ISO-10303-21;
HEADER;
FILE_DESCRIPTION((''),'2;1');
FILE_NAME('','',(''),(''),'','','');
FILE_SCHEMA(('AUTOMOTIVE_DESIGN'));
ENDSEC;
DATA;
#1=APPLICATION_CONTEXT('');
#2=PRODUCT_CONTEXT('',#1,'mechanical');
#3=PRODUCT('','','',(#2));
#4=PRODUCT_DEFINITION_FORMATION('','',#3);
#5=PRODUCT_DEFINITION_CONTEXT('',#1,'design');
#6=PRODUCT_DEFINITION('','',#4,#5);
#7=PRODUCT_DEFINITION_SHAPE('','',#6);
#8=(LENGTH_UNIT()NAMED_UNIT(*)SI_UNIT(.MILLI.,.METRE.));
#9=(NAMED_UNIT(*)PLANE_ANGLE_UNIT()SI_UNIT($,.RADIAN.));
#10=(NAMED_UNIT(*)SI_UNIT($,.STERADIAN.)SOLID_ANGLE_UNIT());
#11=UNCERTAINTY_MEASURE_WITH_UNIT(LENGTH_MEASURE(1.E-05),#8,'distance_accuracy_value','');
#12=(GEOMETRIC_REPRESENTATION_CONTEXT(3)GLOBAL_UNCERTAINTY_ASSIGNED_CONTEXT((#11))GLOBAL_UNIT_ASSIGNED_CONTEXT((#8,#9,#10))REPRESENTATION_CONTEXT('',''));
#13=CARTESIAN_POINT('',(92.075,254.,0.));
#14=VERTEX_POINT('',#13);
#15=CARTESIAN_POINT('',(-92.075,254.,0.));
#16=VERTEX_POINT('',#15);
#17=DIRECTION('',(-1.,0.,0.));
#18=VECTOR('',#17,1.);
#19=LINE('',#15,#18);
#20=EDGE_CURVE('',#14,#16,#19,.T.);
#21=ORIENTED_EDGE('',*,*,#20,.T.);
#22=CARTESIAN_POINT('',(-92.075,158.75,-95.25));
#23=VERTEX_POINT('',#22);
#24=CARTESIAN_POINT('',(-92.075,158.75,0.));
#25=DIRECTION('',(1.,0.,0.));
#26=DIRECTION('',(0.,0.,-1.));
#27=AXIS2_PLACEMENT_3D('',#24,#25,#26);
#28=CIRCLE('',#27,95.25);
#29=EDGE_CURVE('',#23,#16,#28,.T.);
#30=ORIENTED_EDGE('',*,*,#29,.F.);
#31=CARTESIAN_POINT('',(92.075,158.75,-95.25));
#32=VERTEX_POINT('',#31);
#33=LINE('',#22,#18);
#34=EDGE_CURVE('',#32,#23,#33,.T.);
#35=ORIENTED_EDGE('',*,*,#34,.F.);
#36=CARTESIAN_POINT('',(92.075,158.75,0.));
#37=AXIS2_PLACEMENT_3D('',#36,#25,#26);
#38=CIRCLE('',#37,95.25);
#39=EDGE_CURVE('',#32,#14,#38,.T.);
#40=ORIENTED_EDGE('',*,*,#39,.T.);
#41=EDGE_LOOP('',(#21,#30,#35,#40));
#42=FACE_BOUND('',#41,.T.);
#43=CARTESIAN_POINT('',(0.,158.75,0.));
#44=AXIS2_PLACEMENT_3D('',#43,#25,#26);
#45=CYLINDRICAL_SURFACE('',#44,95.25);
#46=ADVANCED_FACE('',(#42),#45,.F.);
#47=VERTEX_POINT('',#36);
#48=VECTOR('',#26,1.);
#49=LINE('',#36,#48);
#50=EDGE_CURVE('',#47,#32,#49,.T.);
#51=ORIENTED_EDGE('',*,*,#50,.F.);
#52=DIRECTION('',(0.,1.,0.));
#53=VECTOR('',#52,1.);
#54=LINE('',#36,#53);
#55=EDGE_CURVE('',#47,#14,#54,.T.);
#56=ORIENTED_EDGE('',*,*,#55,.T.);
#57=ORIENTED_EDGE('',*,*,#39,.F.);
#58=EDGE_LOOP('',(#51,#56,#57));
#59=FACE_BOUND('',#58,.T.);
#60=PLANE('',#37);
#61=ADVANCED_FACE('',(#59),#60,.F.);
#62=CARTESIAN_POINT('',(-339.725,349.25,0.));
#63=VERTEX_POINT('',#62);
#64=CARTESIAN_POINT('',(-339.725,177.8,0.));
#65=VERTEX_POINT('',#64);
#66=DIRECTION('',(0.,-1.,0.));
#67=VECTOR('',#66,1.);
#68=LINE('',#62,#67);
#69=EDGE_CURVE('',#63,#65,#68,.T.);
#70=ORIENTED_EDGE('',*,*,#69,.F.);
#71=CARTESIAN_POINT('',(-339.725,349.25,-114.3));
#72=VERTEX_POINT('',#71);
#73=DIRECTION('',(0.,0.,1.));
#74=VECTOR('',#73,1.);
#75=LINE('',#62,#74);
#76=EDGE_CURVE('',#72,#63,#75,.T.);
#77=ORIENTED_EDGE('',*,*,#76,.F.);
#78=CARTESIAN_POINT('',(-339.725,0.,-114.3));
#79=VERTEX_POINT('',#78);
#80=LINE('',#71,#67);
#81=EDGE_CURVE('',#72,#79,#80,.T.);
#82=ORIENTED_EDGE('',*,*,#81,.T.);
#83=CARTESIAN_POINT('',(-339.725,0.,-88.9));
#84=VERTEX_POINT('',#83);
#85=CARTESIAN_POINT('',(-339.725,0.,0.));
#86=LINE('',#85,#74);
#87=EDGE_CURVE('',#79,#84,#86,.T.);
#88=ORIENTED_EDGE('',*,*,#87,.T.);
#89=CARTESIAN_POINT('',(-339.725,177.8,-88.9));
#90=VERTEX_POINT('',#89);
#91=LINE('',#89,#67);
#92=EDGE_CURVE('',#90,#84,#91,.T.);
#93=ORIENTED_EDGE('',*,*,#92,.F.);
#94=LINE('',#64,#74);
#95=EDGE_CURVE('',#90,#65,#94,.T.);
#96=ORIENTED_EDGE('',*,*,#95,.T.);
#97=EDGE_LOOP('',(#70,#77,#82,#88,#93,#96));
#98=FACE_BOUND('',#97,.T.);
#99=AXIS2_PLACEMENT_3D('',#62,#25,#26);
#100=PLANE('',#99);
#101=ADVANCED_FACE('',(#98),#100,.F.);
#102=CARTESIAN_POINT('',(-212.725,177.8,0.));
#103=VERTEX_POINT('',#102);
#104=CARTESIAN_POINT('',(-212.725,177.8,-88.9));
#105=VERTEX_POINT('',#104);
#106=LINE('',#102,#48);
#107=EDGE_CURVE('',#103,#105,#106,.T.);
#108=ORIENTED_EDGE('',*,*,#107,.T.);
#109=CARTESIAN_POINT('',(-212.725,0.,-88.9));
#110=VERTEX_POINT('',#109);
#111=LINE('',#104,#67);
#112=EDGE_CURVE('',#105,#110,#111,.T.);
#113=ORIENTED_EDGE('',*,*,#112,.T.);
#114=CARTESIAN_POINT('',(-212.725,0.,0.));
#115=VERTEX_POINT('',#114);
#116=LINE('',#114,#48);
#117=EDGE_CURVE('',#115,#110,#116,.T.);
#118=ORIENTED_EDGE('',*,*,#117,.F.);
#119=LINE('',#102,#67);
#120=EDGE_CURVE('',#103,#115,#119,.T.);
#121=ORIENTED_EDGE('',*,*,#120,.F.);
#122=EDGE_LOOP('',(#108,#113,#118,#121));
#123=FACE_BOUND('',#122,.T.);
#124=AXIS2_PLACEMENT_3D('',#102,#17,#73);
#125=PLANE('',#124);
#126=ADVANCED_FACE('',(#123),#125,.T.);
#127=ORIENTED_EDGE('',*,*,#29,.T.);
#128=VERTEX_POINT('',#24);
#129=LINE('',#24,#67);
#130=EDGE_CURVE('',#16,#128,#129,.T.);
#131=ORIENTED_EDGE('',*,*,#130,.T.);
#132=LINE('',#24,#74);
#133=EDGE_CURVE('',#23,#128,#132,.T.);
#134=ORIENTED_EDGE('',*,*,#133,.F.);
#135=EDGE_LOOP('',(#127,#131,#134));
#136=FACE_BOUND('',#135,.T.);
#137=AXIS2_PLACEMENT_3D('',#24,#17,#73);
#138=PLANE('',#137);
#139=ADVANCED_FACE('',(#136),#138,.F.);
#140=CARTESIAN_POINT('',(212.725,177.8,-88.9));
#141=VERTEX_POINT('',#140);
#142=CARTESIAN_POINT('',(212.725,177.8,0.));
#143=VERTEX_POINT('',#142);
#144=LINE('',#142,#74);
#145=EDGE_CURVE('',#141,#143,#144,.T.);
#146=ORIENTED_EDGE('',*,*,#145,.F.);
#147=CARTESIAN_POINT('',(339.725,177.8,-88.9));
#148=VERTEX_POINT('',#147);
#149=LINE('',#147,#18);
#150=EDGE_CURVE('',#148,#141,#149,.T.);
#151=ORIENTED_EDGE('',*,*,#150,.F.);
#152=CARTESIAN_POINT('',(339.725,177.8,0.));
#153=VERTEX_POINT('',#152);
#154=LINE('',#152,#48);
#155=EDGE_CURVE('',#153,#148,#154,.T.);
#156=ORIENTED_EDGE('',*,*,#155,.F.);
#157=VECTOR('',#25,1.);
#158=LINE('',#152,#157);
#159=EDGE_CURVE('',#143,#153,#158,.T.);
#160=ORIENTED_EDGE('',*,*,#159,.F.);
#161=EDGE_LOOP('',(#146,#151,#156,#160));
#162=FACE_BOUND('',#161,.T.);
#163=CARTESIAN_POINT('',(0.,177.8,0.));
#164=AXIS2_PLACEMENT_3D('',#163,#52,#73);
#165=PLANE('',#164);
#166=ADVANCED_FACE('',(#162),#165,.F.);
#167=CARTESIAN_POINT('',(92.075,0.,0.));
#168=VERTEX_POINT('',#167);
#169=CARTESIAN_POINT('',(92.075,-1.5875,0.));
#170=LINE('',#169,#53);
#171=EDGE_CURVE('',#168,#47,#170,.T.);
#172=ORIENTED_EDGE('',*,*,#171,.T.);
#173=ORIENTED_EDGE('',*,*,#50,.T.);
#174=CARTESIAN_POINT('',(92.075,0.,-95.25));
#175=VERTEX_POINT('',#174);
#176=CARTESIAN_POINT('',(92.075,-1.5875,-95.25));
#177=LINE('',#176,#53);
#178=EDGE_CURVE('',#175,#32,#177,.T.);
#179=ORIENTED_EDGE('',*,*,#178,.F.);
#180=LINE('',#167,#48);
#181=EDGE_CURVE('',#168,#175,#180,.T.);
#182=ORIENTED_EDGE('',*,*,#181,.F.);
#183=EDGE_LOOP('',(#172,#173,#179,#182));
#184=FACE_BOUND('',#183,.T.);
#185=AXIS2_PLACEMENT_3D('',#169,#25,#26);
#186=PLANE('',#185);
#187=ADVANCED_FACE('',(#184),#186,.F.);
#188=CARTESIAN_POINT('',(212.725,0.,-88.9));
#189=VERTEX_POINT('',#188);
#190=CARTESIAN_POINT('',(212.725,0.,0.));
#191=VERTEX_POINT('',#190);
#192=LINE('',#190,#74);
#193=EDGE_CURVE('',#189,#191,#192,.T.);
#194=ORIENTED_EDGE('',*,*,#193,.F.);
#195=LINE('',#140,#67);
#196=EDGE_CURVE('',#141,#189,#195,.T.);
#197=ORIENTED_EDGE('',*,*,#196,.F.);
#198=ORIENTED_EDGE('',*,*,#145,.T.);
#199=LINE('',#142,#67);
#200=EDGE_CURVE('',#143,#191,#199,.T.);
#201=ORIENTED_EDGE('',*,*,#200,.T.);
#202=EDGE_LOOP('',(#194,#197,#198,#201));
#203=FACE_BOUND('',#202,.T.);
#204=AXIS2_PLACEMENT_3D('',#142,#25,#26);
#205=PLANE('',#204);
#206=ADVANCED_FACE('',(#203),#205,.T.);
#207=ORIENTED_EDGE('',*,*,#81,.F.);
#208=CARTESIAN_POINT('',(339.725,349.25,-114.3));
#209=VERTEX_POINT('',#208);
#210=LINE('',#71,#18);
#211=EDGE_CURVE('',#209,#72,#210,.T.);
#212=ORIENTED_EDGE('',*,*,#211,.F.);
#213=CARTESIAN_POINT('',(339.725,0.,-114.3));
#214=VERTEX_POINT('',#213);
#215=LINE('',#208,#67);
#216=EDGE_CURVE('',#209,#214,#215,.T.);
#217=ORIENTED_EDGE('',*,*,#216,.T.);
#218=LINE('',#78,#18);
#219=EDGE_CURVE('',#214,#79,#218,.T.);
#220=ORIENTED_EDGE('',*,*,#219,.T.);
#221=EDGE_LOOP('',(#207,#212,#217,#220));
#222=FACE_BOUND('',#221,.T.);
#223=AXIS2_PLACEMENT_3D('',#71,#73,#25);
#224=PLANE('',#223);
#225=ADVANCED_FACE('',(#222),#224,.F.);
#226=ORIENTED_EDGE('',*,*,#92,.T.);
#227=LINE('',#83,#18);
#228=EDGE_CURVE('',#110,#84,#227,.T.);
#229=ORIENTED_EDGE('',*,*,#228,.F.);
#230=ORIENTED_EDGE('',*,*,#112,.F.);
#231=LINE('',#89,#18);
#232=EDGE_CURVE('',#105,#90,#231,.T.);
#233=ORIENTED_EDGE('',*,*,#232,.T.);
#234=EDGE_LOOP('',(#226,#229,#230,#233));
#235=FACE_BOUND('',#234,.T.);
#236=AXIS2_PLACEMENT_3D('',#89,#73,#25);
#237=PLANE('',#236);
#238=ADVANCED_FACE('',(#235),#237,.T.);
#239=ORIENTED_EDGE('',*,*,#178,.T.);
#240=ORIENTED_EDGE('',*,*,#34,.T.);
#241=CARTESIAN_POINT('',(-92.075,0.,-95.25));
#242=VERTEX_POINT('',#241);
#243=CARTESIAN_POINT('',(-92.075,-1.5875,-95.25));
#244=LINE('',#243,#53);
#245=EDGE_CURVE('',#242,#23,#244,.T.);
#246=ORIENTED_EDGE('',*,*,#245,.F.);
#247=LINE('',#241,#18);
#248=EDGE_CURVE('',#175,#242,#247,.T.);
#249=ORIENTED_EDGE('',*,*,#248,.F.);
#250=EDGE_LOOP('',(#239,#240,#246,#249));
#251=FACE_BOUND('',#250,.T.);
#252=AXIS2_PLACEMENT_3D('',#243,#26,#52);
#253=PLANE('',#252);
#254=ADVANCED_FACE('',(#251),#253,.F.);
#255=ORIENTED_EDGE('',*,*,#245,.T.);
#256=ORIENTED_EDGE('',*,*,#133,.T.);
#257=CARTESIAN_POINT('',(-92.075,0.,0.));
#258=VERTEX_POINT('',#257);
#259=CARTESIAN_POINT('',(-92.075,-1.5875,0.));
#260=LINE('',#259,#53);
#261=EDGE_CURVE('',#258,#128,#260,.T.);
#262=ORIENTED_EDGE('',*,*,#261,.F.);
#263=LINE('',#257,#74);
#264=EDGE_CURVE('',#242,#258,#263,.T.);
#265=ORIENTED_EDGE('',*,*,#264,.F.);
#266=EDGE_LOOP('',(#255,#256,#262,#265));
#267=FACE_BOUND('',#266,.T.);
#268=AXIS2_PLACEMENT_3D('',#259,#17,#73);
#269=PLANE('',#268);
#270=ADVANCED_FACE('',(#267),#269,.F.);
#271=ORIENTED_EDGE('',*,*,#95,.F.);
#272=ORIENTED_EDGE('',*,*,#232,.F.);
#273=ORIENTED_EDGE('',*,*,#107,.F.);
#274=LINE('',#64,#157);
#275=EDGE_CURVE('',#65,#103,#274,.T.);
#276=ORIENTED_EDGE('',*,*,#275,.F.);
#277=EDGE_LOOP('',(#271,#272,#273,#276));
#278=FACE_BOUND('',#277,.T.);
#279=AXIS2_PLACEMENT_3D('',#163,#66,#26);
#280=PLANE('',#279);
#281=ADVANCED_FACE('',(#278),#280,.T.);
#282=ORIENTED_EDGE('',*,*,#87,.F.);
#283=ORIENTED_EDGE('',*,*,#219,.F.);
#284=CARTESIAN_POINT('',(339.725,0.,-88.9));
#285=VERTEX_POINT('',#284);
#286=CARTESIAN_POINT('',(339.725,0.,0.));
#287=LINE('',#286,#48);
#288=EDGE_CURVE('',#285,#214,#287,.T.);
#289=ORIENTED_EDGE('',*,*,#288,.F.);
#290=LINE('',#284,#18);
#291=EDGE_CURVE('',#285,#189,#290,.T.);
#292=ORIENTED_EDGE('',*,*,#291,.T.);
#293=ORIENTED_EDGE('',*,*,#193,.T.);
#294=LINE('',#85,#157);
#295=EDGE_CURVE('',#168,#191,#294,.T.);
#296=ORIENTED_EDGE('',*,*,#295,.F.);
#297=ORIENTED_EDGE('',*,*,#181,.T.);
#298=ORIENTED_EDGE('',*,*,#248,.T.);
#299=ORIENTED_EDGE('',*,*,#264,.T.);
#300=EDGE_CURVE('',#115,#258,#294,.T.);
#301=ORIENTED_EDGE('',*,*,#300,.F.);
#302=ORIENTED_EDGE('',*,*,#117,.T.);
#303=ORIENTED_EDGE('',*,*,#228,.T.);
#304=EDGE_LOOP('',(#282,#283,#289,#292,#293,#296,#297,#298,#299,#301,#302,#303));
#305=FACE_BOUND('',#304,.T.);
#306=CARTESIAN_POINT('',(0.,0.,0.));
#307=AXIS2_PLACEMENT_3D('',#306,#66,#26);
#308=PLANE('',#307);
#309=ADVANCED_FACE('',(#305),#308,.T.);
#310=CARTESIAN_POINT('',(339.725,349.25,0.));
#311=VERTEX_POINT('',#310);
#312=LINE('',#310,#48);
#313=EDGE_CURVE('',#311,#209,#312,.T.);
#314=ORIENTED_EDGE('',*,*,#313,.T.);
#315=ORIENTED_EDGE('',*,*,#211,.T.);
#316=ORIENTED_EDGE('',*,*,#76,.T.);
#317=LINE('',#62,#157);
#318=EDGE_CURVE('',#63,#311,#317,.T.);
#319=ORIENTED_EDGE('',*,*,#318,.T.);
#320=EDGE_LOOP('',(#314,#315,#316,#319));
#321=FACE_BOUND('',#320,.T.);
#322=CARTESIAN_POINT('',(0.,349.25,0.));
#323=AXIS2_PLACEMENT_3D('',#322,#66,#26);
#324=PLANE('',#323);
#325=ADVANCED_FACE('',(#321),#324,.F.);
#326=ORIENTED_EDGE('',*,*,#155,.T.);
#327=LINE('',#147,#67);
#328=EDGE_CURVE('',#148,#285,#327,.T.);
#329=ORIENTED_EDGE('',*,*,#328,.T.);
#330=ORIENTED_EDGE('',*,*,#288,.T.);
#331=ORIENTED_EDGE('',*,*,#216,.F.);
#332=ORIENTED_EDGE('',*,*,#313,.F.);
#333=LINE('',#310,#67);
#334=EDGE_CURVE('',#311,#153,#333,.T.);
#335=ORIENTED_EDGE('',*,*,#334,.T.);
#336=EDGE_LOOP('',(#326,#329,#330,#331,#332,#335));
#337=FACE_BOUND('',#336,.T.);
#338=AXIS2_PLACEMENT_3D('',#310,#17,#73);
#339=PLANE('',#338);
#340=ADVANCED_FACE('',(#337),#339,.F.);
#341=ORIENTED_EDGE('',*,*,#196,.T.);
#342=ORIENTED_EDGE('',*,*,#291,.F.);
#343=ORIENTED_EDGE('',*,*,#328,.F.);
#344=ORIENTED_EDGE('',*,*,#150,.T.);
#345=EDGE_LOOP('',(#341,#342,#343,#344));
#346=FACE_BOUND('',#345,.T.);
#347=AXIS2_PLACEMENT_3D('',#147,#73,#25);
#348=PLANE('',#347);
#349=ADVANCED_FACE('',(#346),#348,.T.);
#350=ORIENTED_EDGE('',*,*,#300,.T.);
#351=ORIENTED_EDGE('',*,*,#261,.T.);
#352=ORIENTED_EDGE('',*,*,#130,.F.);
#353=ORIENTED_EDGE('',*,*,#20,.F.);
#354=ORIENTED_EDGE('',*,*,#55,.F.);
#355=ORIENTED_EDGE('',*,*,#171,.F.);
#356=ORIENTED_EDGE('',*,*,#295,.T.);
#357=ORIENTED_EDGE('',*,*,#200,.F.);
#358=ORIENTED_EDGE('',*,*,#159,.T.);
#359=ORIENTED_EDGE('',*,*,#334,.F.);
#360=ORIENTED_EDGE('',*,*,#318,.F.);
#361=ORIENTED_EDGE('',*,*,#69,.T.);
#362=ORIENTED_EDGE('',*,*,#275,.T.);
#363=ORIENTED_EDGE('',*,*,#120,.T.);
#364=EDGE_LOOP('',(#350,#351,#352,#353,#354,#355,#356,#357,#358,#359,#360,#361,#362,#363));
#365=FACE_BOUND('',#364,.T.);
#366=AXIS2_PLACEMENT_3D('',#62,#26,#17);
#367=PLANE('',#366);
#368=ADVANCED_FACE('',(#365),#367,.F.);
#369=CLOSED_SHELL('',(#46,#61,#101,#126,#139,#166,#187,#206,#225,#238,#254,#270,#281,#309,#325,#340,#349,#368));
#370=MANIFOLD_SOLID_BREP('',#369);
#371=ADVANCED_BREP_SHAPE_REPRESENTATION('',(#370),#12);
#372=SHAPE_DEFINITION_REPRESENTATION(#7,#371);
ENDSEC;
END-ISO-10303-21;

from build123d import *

# Parameters (mm, degrees)
SKETCH1_W           = 679.45
SKETCH1_H           = 114.3
BOSS_EXTRUDE1_DEPTH = 349.25
SKETCH4_W           = 184.15
SKETCH4_H           = 95.25
SKETCH5_W           = 127
SKETCH5_H           = 88.9
CUT_EXTRUDE1_DEPTH  = 177.8


with BuildPart() as part:
    # Sketch1 → Boss-Extrude1 (new body)
    with BuildSketch(Plane(origin=(0, 0, 0), x_dir=(1, 0, 0), z_dir=(0, 1, 0))):
        with Locations((0, 57.15)):
            Rectangle(SKETCH1_W, SKETCH1_H)
    extrude(amount=BOSS_EXTRUDE1_DEPTH)

    # Cut-Sweep4: sweep along a path in Sketch2
    with BuildLine(Plane(origin=(0, 0, 0), x_dir=(0, 0, -1), z_dir=(1, 0, 0))) as cut_sweep4_path:
        Line((47.625, 0), (47.625, 158.75))
        ThreePointArc((47.625, 158.75), (33.675960454, 192.425960454), (0, 206.375))
        Line((0, 206.375), (-25.4, 206.375))
    # Sketch4 → Cut-Sweep4 (sweep, cut)
    with BuildSketch(Plane(origin=(0, 0, 0), x_dir=(1, 0, 0), z_dir=(0, 1, 0))):
        with Locations((0, 47.625)):
            Rectangle(SKETCH4_W, SKETCH4_H)
    sweep(path=cut_sweep4_path.line, mode=Mode.SUBTRACT)

    # Sketch5 → Cut-Extrude1 (cut)
    with BuildSketch(Plane(origin=(0, 0, 0), x_dir=(1, 0, 0), z_dir=(0, 1, 0))):
        with Locations((-276.225, 44.45)):
            Rectangle(SKETCH5_W, SKETCH5_H)
        with Locations((276.225, 44.45)):
            Rectangle(SKETCH5_W, SKETCH5_H)
    extrude(amount=CUT_EXTRUDE1_DEPTH, mode=Mode.SUBTRACT)


solid = part.part
